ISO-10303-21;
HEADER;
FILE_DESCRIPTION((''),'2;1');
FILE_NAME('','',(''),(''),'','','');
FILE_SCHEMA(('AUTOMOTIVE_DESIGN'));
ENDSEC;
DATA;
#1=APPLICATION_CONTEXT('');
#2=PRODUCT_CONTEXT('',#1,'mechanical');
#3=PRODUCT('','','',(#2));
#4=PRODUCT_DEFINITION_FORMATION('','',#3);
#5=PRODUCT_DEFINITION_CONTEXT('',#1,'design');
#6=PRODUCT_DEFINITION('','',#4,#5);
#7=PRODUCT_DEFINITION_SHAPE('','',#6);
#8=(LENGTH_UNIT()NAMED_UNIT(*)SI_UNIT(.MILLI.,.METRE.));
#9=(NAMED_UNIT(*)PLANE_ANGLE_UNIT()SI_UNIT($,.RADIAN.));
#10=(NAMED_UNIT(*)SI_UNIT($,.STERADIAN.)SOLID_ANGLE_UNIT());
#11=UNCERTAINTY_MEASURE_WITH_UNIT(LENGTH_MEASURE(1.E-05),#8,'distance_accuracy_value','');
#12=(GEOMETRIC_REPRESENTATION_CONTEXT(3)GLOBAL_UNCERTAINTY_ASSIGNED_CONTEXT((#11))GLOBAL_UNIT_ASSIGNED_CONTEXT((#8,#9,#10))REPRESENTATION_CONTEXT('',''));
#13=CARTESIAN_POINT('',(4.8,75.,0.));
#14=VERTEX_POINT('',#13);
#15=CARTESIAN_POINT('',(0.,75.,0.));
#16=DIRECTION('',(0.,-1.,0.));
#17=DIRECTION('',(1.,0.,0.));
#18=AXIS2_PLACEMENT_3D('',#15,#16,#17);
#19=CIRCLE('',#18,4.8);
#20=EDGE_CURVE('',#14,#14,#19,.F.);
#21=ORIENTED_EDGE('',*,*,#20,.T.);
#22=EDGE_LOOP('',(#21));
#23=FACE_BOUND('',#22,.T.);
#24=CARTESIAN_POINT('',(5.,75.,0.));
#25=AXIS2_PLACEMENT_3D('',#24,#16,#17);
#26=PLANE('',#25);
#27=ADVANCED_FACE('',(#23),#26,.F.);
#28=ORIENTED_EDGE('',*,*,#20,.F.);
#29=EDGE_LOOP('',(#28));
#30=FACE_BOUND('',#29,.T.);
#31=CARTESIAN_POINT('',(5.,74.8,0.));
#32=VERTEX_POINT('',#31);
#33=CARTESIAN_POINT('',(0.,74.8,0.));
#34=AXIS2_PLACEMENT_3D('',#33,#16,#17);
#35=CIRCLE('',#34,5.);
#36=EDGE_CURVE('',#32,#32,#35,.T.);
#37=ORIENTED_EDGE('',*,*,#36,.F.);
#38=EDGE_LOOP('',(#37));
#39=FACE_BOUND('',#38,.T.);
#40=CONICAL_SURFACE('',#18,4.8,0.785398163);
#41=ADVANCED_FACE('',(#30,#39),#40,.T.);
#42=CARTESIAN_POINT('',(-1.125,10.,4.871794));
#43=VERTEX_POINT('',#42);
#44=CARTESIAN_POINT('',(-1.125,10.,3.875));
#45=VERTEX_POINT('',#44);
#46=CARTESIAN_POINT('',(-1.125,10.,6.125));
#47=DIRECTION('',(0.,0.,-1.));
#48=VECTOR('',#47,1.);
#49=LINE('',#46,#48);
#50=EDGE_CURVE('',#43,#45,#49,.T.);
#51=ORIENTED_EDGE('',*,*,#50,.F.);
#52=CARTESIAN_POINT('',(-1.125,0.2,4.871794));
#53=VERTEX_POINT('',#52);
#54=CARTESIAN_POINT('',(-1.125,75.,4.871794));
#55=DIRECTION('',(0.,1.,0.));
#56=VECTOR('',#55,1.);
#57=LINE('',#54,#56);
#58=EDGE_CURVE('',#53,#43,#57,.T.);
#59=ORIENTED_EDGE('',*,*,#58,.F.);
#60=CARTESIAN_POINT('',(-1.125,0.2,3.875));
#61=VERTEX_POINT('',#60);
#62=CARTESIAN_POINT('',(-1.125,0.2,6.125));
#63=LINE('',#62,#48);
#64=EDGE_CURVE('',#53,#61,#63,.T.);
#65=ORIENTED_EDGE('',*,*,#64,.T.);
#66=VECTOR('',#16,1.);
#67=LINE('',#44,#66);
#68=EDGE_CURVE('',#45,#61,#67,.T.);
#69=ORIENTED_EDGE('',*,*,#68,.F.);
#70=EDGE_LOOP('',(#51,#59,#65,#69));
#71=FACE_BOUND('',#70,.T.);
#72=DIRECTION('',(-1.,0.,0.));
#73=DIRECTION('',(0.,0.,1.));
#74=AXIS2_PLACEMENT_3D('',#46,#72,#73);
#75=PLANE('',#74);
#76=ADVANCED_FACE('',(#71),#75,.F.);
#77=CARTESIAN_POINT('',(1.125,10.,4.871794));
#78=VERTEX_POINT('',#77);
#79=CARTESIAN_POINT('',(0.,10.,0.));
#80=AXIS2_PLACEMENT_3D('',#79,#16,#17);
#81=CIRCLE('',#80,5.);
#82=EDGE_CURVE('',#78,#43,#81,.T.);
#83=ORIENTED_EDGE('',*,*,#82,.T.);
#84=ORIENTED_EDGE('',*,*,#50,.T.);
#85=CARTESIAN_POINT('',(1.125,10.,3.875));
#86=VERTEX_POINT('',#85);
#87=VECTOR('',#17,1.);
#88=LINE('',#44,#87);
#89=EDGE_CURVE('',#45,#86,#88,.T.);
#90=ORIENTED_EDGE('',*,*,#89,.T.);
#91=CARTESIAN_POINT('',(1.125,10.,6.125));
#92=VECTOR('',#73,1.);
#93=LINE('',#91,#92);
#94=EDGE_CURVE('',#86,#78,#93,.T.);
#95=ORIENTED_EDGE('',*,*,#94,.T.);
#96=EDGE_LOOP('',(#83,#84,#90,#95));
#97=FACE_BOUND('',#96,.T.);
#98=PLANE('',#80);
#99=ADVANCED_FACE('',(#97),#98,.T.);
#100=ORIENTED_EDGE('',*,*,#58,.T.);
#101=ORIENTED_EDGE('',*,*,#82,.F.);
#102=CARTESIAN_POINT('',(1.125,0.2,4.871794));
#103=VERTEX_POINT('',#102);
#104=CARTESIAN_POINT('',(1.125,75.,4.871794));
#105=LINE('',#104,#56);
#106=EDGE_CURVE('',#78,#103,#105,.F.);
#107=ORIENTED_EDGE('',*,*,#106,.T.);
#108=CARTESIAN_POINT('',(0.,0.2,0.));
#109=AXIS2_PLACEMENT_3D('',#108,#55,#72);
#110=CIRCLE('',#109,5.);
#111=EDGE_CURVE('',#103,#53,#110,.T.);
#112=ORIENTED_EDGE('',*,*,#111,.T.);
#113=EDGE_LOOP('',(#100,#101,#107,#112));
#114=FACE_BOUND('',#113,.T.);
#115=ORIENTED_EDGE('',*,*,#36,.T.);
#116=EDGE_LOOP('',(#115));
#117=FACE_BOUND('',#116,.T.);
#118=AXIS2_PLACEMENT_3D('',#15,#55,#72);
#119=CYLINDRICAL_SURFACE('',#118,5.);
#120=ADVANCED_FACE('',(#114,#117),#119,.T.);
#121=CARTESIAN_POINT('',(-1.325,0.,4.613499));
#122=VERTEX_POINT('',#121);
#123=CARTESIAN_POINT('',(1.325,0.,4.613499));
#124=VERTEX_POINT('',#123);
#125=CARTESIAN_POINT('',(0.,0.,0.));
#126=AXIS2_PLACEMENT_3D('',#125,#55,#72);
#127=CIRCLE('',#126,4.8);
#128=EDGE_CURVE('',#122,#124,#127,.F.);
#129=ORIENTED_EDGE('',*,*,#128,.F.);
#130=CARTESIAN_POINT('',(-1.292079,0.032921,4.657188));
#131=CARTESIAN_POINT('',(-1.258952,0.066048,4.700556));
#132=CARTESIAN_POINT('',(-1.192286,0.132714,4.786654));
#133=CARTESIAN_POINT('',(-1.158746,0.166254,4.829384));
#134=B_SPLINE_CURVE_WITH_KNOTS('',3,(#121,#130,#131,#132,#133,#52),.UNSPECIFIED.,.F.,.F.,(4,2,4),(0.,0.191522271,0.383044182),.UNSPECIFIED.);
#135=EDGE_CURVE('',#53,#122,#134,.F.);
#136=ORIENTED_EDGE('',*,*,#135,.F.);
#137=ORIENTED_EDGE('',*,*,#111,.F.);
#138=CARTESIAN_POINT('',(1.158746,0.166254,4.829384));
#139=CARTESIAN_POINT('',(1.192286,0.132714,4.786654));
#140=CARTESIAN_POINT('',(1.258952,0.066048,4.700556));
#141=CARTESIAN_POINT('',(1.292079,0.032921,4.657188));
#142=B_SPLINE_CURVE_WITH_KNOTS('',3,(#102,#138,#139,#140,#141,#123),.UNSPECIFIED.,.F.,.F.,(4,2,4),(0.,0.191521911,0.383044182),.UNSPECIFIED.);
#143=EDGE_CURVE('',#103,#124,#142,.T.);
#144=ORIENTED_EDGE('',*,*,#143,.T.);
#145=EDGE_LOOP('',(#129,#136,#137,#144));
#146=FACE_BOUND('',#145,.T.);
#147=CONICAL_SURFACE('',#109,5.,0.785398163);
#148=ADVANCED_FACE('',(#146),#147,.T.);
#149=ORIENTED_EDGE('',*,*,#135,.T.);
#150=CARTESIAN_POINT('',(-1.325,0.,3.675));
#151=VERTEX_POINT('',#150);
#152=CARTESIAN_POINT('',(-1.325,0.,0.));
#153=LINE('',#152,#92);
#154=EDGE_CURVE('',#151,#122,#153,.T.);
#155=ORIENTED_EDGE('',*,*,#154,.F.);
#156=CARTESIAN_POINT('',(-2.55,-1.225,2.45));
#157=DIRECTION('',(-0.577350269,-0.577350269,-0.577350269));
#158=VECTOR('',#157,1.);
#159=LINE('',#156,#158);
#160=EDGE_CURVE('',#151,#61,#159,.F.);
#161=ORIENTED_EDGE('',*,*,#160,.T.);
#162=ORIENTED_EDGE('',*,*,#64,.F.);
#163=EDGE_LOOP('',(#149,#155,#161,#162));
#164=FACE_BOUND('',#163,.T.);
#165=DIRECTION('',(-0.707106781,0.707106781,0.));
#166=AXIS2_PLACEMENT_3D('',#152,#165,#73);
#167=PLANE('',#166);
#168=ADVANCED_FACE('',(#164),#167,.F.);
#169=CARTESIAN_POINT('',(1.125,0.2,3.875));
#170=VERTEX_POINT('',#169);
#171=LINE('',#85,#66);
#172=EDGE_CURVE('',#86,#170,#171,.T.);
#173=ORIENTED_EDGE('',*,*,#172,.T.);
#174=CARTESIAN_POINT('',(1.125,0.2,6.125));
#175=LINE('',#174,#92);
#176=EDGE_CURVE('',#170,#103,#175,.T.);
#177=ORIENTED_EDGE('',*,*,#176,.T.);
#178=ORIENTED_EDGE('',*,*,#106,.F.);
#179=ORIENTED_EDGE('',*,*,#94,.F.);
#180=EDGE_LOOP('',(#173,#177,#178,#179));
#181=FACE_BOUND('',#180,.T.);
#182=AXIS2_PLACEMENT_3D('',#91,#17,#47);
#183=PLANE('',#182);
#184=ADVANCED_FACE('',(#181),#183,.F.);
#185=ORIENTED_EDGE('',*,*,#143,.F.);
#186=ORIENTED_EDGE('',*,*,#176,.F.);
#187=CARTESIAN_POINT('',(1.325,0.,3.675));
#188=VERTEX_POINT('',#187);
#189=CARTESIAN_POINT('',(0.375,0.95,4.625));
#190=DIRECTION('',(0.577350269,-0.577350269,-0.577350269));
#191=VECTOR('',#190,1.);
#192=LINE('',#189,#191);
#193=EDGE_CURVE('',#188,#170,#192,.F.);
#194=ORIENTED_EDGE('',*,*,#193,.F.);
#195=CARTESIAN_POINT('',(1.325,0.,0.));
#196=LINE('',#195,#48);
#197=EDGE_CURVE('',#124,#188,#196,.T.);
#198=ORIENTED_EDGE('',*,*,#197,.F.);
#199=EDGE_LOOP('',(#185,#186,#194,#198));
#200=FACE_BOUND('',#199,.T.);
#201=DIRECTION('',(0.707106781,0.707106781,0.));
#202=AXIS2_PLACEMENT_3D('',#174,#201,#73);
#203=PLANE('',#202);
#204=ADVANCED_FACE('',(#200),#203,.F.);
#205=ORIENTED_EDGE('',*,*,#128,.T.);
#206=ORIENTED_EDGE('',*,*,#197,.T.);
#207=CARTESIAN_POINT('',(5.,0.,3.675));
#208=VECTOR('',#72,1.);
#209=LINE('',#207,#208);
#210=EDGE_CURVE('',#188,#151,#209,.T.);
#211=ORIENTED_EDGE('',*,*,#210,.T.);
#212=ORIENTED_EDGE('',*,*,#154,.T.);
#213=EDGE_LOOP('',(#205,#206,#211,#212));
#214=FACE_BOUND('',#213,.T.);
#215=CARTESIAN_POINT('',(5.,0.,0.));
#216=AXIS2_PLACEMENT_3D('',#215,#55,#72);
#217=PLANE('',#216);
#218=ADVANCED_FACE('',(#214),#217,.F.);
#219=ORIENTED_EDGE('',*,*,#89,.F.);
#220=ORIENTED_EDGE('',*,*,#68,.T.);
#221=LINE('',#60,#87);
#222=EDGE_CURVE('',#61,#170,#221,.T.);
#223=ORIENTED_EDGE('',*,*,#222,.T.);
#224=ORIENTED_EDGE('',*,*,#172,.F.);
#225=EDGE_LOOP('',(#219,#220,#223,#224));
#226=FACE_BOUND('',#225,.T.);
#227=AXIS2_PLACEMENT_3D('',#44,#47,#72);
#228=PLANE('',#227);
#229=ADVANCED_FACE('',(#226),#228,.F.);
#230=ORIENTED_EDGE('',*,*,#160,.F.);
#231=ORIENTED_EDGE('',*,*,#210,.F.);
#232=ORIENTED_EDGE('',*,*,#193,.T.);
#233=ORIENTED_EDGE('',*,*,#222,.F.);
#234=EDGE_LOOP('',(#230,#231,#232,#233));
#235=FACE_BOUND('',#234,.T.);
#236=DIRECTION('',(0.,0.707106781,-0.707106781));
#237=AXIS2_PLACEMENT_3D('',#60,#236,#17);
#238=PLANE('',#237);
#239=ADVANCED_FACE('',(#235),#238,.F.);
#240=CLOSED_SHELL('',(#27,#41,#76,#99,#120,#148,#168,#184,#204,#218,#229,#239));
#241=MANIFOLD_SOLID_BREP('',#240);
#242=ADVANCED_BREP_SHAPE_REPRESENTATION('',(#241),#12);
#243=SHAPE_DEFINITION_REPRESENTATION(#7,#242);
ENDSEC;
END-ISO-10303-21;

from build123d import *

# Parameters (mm, degrees)
SKETCH1_W          = 5
SKETCH1_H          = 75
SKETCH2_W          = 2.25
SKETCH2_H          = 2.25
CUT_EXTRUDE1_DEPTH = 10
CHAMFER1_SIZE      = 0.2


with BuildPart() as part:
    # Sketch1 → Revolve1 (revolve)
    with BuildSketch(Plane.XY, mode=Mode.PRIVATE) as revolve1_sk:
        with Locations((2.5, 37.5)):
            Rectangle(SKETCH1_W, SKETCH1_H)
    revolve(revolve1_sk.sketch.rotate(Axis((0, 75, 0), (0, -1, 0)), 180), axis=Axis((0, 75, 0), (0, -1, 0)))

    # Sketch2 → Cut-Extrude1 (cut)
    with BuildSketch(Plane.XZ):
        with Locations((0, 5)):
            Rectangle(SKETCH2_W, SKETCH2_H)
    extrude(amount=-CUT_EXTRUDE1_DEPTH, mode=Mode.SUBTRACT)

    # Chamfer1
    chamfer1_edges = [part.edges().sort_by_distance(p)[0] for p in [
        (1.125, 0, 4.373396909),
        (0, 0, 3.875),
        (5, 75, 0),
        (3.112474899, 0, -3.913118961),
        (-1.125, 0, 4.373396909),
    ]]
    chamfer(chamfer1_edges, length=CHAMFER1_SIZE)


solid = part.part
